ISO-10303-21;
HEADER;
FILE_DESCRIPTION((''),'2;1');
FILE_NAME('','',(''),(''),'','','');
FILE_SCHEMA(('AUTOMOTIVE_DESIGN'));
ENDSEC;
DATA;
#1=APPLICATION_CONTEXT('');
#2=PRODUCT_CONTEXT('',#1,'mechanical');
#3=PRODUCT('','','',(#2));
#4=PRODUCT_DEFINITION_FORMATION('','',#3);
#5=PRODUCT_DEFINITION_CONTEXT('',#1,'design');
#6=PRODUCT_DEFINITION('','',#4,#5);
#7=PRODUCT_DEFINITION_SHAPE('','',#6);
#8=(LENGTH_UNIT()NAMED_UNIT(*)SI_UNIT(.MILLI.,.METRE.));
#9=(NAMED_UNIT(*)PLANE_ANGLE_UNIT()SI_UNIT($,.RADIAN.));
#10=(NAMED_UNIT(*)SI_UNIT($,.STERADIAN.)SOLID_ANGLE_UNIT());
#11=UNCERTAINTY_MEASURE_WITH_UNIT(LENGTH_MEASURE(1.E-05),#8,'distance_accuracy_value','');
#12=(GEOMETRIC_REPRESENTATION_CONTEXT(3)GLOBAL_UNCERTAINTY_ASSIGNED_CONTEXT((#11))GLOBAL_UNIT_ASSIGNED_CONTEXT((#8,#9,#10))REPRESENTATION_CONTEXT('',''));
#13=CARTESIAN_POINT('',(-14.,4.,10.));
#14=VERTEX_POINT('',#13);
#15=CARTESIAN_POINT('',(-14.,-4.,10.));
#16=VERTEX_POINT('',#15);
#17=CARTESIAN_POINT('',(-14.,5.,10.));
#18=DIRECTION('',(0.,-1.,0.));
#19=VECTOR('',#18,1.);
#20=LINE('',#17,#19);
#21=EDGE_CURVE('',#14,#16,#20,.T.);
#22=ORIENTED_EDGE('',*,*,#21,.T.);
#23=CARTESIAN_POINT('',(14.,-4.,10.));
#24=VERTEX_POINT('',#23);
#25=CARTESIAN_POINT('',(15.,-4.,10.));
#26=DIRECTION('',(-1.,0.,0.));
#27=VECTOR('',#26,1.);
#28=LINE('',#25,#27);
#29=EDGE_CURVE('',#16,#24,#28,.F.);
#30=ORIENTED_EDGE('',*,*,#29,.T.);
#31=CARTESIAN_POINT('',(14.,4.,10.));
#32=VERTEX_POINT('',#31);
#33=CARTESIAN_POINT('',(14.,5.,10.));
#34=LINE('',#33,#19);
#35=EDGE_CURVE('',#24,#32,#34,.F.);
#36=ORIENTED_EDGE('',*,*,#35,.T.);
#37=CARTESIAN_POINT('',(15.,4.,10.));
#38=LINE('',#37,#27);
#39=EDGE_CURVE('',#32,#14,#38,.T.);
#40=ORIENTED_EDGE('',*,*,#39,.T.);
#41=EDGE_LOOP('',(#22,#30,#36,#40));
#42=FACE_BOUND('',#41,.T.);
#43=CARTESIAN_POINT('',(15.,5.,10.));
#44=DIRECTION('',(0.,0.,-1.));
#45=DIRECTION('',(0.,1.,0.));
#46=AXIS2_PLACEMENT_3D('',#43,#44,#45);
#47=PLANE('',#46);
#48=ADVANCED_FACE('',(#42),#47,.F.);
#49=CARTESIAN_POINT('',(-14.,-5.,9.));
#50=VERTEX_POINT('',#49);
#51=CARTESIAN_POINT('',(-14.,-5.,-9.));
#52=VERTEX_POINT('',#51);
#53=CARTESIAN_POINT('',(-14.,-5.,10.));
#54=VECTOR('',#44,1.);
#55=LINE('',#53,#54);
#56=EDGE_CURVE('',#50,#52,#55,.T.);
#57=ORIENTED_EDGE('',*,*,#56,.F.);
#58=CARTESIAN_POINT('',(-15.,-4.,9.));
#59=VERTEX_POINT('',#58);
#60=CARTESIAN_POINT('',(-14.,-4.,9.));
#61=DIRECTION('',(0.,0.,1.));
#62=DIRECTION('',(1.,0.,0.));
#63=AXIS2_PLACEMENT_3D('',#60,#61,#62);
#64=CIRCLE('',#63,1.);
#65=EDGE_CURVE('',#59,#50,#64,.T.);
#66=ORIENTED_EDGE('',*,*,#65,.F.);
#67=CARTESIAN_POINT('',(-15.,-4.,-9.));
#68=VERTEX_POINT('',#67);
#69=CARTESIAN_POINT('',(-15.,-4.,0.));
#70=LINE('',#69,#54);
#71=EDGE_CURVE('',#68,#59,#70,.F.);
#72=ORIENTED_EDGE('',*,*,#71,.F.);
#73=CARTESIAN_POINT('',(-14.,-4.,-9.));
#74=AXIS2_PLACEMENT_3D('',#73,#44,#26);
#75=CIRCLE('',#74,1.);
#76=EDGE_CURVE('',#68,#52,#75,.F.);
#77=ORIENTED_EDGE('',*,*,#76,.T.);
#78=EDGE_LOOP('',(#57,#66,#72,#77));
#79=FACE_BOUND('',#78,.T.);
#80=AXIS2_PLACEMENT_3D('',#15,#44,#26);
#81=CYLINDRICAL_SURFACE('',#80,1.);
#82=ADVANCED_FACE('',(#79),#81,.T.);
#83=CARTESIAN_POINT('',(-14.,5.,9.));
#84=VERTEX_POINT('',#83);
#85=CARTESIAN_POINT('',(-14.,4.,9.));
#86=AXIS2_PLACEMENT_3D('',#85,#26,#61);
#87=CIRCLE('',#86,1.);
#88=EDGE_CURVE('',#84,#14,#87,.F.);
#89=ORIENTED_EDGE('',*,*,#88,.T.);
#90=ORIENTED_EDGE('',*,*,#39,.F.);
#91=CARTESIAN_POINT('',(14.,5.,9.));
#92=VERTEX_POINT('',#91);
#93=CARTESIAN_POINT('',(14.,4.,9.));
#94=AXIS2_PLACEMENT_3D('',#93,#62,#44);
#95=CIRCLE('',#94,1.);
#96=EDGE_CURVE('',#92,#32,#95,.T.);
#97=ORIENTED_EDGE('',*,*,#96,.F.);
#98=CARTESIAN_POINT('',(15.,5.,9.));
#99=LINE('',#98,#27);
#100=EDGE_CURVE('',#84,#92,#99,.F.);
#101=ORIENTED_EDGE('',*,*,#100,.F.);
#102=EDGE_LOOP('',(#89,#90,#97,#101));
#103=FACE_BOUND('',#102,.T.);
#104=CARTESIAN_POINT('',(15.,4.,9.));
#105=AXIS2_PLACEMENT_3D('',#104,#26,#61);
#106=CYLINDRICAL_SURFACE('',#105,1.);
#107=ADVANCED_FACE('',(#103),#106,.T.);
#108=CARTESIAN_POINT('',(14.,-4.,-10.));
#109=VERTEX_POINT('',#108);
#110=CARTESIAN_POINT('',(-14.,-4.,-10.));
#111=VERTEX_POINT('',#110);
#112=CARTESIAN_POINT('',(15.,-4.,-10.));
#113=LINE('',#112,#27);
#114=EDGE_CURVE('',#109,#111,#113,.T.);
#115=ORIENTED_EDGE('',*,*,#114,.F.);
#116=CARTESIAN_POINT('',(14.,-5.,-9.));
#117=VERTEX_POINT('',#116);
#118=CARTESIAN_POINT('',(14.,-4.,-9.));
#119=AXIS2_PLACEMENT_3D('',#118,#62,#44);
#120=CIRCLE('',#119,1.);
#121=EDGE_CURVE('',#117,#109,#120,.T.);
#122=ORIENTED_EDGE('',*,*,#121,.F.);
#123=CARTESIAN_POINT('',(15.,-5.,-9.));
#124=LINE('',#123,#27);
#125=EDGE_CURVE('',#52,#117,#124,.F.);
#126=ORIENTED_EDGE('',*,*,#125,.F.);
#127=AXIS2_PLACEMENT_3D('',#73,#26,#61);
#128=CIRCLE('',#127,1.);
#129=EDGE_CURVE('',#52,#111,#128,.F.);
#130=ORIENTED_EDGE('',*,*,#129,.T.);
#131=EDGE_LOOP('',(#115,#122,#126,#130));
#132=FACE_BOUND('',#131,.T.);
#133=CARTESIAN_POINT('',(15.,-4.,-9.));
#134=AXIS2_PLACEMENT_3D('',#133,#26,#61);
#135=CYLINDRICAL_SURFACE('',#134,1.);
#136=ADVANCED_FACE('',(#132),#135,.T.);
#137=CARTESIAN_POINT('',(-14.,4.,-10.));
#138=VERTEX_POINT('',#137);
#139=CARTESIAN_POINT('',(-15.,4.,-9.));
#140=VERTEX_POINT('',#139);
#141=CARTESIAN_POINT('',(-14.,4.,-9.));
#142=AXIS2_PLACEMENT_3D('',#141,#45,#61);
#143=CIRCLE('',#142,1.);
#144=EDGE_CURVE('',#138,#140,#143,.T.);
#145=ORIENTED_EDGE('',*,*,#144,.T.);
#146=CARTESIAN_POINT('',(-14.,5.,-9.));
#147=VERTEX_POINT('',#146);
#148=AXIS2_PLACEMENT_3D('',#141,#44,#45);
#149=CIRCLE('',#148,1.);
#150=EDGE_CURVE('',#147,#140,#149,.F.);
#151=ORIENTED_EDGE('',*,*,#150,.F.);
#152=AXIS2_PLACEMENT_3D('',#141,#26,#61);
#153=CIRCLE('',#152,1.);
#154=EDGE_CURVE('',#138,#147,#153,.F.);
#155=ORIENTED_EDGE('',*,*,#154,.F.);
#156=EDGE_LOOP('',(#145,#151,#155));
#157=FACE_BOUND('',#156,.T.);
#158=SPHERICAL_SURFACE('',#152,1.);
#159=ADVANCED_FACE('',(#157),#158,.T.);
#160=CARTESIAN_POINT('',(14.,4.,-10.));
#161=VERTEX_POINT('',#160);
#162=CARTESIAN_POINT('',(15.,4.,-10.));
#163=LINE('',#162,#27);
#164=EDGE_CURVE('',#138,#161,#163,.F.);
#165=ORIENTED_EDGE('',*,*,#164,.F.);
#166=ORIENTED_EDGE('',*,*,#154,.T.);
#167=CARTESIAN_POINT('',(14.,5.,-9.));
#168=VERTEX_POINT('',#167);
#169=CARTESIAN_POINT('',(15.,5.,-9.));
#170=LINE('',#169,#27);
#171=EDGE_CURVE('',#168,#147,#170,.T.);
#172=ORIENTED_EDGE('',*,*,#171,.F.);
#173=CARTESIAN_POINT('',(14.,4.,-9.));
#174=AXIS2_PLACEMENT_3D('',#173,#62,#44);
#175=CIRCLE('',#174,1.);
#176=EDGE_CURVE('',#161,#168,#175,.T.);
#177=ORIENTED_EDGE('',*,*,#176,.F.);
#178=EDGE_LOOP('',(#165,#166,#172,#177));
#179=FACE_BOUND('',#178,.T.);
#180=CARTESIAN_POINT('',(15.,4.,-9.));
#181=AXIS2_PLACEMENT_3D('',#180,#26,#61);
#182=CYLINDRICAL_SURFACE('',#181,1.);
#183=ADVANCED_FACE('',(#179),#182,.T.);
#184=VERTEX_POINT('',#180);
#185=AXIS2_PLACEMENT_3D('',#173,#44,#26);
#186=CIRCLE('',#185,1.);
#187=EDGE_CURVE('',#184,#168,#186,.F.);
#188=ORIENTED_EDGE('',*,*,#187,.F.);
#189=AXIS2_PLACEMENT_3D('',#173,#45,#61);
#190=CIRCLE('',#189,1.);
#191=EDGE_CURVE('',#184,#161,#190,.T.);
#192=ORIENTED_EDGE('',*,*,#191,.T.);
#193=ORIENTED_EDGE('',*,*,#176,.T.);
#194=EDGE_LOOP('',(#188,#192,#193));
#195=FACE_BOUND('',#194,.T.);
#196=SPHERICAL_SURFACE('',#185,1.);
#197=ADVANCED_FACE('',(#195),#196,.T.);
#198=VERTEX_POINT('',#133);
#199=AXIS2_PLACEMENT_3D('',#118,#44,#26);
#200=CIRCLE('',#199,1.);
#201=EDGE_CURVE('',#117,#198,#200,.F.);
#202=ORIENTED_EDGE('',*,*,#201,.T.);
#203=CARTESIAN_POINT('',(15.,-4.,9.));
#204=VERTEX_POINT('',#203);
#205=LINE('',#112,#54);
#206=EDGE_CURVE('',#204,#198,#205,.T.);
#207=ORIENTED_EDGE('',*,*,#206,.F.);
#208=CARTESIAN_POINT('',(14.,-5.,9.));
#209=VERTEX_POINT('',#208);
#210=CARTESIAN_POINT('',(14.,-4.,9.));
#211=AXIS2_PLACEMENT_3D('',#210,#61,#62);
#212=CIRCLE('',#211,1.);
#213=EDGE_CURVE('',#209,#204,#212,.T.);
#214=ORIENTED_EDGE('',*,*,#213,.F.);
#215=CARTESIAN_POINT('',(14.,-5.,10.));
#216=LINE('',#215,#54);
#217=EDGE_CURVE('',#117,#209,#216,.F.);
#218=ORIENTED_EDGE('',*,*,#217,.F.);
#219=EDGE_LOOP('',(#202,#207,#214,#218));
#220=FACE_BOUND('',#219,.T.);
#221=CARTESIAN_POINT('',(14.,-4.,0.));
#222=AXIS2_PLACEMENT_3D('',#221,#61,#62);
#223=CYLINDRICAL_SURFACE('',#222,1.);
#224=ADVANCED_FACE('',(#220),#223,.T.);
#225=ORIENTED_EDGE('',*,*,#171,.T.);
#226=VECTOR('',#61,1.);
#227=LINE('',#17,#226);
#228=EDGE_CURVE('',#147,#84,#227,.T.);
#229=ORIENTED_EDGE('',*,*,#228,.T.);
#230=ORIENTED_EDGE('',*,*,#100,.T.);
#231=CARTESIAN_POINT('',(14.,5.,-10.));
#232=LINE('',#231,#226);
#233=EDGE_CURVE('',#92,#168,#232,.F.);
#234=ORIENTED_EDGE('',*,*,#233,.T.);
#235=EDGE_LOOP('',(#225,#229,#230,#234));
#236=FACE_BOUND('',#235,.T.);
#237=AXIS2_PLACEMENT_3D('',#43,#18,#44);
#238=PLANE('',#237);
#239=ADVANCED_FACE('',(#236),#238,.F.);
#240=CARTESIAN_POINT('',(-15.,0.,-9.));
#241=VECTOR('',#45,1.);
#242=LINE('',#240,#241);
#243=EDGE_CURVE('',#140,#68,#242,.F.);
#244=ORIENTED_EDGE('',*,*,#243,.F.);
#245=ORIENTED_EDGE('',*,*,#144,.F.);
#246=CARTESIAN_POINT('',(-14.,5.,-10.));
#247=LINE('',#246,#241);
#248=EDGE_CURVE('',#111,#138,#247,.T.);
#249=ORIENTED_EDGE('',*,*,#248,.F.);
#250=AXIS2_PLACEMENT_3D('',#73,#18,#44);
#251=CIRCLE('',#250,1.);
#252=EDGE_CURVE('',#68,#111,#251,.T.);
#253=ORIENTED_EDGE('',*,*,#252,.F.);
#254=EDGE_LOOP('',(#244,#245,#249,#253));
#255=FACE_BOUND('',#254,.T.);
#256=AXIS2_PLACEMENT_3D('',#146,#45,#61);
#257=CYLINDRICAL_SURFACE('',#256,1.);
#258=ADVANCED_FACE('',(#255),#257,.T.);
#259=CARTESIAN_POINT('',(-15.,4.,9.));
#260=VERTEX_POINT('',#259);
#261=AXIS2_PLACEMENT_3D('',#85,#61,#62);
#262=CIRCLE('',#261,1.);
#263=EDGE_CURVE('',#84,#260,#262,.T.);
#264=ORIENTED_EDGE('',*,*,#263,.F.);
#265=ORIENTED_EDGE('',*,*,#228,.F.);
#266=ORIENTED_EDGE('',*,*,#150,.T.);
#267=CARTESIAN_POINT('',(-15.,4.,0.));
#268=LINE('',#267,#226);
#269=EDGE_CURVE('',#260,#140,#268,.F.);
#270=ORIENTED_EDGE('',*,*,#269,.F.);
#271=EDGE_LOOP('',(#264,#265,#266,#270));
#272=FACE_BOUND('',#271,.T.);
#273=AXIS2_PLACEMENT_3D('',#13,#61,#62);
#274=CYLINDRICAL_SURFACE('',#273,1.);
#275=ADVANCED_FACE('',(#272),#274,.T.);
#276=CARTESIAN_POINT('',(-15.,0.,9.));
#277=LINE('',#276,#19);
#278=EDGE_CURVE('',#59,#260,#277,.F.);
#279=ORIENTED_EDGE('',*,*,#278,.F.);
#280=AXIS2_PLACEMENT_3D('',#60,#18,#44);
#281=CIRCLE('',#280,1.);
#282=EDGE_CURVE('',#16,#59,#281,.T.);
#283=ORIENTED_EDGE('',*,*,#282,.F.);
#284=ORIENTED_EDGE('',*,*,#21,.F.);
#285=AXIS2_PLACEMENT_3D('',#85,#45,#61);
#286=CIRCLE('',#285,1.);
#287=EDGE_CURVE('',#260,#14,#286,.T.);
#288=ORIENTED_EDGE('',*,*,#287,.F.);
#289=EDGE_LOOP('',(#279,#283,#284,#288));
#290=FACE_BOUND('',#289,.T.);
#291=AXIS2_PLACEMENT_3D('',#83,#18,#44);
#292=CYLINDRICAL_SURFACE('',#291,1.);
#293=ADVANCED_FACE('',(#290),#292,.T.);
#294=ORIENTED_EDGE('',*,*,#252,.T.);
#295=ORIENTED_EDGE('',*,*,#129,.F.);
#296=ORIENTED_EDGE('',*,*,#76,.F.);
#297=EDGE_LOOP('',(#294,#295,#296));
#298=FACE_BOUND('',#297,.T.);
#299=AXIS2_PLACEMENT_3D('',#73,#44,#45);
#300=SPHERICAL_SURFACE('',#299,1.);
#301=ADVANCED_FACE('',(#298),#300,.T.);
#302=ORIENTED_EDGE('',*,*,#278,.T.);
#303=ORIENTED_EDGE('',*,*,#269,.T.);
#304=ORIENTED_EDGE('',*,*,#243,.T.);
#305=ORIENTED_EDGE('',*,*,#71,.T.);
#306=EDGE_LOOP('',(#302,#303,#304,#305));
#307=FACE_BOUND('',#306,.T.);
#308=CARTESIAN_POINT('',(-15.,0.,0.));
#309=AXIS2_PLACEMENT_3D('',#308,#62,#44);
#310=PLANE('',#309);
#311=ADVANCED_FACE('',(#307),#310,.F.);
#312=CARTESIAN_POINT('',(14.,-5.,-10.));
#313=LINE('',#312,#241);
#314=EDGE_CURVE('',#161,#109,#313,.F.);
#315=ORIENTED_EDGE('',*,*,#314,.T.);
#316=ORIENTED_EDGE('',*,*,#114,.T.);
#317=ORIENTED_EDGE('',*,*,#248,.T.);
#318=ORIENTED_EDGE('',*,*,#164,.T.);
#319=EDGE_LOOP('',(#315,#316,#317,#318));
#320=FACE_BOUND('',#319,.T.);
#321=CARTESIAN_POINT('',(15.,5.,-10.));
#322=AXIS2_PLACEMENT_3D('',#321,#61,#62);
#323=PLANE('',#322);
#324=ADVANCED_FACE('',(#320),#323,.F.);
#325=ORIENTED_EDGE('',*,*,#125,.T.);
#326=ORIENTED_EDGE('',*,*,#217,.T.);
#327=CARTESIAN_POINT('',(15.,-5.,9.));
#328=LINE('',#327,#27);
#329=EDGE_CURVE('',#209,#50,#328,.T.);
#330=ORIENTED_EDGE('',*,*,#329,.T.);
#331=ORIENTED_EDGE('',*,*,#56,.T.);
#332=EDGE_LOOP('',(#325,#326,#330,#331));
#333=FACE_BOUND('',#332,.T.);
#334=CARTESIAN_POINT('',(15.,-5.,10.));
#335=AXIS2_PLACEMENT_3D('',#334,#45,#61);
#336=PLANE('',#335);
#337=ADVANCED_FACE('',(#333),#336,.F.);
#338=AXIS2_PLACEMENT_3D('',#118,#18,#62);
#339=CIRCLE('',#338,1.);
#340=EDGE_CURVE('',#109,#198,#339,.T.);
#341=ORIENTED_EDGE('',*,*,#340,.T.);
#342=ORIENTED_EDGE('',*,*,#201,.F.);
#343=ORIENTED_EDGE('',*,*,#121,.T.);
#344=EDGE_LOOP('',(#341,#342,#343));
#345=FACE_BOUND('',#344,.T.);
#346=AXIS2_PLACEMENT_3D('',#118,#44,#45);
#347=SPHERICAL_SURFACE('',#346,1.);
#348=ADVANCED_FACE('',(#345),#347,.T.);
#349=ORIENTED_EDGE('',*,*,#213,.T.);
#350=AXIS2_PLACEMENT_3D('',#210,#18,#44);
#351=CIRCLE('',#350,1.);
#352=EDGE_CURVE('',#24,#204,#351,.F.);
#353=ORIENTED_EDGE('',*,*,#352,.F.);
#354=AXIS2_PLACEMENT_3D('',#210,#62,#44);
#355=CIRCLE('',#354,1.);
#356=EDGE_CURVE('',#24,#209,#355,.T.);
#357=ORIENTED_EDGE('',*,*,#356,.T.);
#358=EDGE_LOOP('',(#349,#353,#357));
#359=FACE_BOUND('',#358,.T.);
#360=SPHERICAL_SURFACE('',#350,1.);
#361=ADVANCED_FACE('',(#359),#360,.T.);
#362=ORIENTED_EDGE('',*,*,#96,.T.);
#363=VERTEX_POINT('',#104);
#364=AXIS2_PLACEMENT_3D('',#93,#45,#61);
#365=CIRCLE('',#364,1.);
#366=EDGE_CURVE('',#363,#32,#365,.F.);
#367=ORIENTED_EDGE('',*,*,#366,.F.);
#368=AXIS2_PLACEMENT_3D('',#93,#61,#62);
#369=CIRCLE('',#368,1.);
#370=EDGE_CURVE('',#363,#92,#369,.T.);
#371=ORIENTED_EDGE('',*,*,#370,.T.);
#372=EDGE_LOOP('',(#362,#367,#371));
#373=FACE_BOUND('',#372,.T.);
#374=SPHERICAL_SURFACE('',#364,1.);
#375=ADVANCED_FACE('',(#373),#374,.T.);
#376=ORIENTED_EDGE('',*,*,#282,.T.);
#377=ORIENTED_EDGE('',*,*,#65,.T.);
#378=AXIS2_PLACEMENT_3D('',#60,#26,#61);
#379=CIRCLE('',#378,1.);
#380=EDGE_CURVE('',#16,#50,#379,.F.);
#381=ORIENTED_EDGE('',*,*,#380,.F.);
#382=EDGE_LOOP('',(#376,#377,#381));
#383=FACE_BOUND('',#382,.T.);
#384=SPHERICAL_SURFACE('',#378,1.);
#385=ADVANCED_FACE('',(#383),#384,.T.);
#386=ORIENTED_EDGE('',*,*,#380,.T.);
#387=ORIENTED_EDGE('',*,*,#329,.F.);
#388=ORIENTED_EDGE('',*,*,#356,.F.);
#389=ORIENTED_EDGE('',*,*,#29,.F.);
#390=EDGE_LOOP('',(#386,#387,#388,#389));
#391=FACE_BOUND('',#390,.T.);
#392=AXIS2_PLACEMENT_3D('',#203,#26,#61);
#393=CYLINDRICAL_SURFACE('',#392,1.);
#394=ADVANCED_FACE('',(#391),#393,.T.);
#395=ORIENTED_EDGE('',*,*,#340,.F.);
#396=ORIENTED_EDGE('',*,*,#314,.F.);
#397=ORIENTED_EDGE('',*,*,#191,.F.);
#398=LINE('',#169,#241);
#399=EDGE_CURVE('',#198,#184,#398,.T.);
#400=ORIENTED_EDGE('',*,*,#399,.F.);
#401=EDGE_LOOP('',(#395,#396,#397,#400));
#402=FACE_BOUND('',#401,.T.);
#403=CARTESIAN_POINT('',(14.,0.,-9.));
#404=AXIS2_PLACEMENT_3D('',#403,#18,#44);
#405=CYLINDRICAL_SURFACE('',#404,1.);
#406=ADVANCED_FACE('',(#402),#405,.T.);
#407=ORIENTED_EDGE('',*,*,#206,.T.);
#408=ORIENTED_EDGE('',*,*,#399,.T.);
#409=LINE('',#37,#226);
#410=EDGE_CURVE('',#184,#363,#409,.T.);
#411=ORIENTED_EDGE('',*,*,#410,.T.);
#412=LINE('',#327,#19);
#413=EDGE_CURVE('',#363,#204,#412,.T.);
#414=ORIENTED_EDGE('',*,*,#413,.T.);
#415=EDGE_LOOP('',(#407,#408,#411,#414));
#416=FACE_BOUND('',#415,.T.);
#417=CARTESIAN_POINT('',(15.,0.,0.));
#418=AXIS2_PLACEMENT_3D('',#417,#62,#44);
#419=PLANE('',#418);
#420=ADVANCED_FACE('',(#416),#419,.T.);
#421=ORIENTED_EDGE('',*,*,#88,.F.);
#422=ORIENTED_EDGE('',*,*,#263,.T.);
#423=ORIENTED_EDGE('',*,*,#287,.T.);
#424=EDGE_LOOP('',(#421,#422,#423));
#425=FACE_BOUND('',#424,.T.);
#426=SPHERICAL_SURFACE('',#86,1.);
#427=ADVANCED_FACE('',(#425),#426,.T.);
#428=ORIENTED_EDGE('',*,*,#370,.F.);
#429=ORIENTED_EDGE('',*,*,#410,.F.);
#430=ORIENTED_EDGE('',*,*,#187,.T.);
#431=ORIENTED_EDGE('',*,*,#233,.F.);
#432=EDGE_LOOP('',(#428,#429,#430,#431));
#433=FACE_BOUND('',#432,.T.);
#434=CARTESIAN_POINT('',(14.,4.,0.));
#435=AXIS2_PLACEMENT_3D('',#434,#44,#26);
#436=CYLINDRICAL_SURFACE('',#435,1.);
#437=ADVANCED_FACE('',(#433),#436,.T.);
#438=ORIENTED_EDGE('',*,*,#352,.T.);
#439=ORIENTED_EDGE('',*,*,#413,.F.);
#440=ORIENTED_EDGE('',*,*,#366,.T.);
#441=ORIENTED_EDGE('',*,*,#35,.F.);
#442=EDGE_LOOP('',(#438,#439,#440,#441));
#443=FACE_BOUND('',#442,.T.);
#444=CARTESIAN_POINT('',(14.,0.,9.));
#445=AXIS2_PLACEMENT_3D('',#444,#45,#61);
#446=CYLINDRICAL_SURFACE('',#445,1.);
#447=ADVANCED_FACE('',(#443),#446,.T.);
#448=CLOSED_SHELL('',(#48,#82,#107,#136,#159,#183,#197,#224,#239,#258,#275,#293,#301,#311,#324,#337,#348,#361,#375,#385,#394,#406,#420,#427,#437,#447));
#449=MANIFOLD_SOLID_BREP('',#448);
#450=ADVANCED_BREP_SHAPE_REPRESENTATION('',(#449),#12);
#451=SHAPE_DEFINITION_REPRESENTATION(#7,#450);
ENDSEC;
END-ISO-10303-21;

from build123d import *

# Parameters (mm, degrees)
SKETCH1_W           = 20
SKETCH1_H           = 10
BOSS_EXTRUDE1_DEPTH = 15
FILLET1_R           = 1


with BuildPart() as part:
    # Sketch1 → Boss-Extrude1 (new, symmetric)
    with BuildSketch(Plane(origin=(0, 0, 0), x_dir=(0, 0, -1), z_dir=(1, 0, 0))):
        Rectangle(SKETCH1_W, SKETCH1_H)
    extrude(amount=BOSS_EXTRUDE1_DEPTH, both=True)

    # Fillet1
    fillet1_edges = [part.edges().sort_by_distance(p)[0] for p in [
        (15, 0, 10),
        (15, -5, 0),
        (15, 0, -10),
        (-15, -5, 0),
        (-15, 0, 10),
        (-15, 5, 0),
        (-15, 0, -10),
        (0, -5, -10),
        (0, -5, 10),
        (0, 5, 10),
        (0, 5, -10),
        (15, 5, 0),
    ]]
    fillet(fillet1_edges, radius=FILLET1_R)


solid = part.part
